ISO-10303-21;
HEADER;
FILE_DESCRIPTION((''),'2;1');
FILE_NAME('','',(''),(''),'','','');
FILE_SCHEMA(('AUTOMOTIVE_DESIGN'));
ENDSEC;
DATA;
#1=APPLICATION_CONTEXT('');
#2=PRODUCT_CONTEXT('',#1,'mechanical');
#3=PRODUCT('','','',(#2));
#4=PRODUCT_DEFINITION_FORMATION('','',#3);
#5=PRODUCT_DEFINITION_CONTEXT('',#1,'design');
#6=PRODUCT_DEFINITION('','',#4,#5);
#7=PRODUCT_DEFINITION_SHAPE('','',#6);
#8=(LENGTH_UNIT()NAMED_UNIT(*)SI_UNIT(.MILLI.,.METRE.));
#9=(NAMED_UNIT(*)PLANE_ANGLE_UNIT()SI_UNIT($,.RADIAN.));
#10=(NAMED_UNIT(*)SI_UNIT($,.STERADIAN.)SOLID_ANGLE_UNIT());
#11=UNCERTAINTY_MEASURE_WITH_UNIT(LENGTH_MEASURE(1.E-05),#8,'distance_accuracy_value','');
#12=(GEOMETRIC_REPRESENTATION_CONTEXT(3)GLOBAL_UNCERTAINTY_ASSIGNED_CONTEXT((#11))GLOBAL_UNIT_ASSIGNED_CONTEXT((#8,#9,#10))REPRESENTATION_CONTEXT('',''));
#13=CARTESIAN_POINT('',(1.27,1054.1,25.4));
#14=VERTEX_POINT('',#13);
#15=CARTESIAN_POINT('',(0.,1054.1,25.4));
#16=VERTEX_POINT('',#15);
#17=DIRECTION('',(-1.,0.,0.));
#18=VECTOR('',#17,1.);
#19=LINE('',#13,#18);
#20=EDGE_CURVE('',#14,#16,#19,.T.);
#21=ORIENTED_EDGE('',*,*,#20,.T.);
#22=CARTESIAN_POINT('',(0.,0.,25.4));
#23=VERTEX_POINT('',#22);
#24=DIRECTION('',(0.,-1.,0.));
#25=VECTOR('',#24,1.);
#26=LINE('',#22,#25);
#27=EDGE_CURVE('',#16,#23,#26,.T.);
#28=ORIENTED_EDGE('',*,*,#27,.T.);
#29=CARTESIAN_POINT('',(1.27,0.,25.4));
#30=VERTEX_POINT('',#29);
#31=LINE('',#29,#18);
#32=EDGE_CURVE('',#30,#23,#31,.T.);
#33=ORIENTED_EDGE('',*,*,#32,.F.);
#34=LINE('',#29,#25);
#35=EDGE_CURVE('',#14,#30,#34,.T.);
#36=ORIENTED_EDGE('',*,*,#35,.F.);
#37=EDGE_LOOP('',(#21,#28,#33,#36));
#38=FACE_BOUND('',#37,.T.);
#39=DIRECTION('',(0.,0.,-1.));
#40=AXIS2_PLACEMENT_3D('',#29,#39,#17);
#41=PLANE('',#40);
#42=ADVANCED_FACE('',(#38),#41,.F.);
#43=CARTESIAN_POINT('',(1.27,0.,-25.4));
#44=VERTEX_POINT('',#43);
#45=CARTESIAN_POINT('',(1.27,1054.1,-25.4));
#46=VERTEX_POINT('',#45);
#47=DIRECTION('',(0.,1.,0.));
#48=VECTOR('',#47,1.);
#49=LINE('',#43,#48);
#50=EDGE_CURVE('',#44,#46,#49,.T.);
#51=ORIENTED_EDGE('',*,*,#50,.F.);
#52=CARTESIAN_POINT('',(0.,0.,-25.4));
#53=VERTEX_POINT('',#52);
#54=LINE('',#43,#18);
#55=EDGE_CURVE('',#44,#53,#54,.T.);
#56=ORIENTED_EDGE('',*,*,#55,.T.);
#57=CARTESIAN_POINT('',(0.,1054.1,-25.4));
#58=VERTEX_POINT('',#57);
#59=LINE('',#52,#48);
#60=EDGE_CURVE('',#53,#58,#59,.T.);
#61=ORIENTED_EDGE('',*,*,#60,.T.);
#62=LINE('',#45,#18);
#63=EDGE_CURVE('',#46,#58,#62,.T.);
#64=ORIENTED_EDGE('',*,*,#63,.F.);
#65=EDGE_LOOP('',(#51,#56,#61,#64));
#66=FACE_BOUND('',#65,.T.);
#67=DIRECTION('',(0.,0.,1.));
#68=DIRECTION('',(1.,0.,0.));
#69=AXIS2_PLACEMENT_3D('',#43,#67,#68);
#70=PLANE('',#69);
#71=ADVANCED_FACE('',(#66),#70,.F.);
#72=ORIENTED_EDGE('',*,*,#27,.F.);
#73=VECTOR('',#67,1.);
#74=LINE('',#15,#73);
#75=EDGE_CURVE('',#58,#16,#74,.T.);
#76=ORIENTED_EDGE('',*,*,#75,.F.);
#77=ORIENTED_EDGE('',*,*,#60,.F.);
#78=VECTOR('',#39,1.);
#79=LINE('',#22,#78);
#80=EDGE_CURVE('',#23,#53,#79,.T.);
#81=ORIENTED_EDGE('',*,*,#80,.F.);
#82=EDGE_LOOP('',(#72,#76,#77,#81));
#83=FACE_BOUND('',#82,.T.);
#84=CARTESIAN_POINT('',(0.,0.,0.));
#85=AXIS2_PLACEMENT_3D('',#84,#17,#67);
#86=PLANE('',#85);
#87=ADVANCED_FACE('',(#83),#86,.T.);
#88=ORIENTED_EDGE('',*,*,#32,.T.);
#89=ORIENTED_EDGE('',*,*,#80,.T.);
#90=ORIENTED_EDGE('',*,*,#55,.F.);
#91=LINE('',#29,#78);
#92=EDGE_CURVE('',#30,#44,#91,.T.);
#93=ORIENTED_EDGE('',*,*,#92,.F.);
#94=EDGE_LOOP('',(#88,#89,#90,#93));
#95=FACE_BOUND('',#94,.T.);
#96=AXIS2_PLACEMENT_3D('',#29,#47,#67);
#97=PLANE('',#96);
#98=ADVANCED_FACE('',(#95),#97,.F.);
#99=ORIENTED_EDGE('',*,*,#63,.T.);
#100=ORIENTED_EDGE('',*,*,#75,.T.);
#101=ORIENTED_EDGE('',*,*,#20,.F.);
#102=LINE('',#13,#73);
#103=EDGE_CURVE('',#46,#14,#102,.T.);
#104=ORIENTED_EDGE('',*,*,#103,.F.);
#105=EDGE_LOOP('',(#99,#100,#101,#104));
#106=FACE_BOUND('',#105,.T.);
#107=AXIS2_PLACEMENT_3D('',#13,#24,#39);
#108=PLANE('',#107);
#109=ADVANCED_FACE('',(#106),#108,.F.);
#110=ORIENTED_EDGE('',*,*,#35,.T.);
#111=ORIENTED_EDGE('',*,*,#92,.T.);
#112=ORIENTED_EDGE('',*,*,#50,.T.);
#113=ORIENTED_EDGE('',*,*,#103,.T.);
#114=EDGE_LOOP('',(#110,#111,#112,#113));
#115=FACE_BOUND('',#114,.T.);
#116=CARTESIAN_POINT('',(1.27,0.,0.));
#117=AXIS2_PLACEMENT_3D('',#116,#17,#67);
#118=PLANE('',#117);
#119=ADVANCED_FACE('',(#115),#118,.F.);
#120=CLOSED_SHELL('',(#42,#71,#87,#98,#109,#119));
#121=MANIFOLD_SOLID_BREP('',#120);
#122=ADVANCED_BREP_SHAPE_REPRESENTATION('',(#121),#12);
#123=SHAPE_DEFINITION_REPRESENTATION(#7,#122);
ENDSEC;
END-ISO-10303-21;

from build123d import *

# Parameters (mm, degrees)
SKETCH1_W           = 50.8
SKETCH1_H           = 1054.1
BOSS_EXTRUDE1_DEPTH = 1.27


with BuildPart() as part:
    # Sketch1 → Boss-Extrude1 (new body)
    with BuildSketch(Plane(origin=(0, 0, 0), x_dir=(0, 0, -1), z_dir=(1, 0, 0))):
        with Locations((0, 527.05)):
            Rectangle(SKETCH1_W, SKETCH1_H)
    extrude(amount=BOSS_EXTRUDE1_DEPTH)


solid = part.part
